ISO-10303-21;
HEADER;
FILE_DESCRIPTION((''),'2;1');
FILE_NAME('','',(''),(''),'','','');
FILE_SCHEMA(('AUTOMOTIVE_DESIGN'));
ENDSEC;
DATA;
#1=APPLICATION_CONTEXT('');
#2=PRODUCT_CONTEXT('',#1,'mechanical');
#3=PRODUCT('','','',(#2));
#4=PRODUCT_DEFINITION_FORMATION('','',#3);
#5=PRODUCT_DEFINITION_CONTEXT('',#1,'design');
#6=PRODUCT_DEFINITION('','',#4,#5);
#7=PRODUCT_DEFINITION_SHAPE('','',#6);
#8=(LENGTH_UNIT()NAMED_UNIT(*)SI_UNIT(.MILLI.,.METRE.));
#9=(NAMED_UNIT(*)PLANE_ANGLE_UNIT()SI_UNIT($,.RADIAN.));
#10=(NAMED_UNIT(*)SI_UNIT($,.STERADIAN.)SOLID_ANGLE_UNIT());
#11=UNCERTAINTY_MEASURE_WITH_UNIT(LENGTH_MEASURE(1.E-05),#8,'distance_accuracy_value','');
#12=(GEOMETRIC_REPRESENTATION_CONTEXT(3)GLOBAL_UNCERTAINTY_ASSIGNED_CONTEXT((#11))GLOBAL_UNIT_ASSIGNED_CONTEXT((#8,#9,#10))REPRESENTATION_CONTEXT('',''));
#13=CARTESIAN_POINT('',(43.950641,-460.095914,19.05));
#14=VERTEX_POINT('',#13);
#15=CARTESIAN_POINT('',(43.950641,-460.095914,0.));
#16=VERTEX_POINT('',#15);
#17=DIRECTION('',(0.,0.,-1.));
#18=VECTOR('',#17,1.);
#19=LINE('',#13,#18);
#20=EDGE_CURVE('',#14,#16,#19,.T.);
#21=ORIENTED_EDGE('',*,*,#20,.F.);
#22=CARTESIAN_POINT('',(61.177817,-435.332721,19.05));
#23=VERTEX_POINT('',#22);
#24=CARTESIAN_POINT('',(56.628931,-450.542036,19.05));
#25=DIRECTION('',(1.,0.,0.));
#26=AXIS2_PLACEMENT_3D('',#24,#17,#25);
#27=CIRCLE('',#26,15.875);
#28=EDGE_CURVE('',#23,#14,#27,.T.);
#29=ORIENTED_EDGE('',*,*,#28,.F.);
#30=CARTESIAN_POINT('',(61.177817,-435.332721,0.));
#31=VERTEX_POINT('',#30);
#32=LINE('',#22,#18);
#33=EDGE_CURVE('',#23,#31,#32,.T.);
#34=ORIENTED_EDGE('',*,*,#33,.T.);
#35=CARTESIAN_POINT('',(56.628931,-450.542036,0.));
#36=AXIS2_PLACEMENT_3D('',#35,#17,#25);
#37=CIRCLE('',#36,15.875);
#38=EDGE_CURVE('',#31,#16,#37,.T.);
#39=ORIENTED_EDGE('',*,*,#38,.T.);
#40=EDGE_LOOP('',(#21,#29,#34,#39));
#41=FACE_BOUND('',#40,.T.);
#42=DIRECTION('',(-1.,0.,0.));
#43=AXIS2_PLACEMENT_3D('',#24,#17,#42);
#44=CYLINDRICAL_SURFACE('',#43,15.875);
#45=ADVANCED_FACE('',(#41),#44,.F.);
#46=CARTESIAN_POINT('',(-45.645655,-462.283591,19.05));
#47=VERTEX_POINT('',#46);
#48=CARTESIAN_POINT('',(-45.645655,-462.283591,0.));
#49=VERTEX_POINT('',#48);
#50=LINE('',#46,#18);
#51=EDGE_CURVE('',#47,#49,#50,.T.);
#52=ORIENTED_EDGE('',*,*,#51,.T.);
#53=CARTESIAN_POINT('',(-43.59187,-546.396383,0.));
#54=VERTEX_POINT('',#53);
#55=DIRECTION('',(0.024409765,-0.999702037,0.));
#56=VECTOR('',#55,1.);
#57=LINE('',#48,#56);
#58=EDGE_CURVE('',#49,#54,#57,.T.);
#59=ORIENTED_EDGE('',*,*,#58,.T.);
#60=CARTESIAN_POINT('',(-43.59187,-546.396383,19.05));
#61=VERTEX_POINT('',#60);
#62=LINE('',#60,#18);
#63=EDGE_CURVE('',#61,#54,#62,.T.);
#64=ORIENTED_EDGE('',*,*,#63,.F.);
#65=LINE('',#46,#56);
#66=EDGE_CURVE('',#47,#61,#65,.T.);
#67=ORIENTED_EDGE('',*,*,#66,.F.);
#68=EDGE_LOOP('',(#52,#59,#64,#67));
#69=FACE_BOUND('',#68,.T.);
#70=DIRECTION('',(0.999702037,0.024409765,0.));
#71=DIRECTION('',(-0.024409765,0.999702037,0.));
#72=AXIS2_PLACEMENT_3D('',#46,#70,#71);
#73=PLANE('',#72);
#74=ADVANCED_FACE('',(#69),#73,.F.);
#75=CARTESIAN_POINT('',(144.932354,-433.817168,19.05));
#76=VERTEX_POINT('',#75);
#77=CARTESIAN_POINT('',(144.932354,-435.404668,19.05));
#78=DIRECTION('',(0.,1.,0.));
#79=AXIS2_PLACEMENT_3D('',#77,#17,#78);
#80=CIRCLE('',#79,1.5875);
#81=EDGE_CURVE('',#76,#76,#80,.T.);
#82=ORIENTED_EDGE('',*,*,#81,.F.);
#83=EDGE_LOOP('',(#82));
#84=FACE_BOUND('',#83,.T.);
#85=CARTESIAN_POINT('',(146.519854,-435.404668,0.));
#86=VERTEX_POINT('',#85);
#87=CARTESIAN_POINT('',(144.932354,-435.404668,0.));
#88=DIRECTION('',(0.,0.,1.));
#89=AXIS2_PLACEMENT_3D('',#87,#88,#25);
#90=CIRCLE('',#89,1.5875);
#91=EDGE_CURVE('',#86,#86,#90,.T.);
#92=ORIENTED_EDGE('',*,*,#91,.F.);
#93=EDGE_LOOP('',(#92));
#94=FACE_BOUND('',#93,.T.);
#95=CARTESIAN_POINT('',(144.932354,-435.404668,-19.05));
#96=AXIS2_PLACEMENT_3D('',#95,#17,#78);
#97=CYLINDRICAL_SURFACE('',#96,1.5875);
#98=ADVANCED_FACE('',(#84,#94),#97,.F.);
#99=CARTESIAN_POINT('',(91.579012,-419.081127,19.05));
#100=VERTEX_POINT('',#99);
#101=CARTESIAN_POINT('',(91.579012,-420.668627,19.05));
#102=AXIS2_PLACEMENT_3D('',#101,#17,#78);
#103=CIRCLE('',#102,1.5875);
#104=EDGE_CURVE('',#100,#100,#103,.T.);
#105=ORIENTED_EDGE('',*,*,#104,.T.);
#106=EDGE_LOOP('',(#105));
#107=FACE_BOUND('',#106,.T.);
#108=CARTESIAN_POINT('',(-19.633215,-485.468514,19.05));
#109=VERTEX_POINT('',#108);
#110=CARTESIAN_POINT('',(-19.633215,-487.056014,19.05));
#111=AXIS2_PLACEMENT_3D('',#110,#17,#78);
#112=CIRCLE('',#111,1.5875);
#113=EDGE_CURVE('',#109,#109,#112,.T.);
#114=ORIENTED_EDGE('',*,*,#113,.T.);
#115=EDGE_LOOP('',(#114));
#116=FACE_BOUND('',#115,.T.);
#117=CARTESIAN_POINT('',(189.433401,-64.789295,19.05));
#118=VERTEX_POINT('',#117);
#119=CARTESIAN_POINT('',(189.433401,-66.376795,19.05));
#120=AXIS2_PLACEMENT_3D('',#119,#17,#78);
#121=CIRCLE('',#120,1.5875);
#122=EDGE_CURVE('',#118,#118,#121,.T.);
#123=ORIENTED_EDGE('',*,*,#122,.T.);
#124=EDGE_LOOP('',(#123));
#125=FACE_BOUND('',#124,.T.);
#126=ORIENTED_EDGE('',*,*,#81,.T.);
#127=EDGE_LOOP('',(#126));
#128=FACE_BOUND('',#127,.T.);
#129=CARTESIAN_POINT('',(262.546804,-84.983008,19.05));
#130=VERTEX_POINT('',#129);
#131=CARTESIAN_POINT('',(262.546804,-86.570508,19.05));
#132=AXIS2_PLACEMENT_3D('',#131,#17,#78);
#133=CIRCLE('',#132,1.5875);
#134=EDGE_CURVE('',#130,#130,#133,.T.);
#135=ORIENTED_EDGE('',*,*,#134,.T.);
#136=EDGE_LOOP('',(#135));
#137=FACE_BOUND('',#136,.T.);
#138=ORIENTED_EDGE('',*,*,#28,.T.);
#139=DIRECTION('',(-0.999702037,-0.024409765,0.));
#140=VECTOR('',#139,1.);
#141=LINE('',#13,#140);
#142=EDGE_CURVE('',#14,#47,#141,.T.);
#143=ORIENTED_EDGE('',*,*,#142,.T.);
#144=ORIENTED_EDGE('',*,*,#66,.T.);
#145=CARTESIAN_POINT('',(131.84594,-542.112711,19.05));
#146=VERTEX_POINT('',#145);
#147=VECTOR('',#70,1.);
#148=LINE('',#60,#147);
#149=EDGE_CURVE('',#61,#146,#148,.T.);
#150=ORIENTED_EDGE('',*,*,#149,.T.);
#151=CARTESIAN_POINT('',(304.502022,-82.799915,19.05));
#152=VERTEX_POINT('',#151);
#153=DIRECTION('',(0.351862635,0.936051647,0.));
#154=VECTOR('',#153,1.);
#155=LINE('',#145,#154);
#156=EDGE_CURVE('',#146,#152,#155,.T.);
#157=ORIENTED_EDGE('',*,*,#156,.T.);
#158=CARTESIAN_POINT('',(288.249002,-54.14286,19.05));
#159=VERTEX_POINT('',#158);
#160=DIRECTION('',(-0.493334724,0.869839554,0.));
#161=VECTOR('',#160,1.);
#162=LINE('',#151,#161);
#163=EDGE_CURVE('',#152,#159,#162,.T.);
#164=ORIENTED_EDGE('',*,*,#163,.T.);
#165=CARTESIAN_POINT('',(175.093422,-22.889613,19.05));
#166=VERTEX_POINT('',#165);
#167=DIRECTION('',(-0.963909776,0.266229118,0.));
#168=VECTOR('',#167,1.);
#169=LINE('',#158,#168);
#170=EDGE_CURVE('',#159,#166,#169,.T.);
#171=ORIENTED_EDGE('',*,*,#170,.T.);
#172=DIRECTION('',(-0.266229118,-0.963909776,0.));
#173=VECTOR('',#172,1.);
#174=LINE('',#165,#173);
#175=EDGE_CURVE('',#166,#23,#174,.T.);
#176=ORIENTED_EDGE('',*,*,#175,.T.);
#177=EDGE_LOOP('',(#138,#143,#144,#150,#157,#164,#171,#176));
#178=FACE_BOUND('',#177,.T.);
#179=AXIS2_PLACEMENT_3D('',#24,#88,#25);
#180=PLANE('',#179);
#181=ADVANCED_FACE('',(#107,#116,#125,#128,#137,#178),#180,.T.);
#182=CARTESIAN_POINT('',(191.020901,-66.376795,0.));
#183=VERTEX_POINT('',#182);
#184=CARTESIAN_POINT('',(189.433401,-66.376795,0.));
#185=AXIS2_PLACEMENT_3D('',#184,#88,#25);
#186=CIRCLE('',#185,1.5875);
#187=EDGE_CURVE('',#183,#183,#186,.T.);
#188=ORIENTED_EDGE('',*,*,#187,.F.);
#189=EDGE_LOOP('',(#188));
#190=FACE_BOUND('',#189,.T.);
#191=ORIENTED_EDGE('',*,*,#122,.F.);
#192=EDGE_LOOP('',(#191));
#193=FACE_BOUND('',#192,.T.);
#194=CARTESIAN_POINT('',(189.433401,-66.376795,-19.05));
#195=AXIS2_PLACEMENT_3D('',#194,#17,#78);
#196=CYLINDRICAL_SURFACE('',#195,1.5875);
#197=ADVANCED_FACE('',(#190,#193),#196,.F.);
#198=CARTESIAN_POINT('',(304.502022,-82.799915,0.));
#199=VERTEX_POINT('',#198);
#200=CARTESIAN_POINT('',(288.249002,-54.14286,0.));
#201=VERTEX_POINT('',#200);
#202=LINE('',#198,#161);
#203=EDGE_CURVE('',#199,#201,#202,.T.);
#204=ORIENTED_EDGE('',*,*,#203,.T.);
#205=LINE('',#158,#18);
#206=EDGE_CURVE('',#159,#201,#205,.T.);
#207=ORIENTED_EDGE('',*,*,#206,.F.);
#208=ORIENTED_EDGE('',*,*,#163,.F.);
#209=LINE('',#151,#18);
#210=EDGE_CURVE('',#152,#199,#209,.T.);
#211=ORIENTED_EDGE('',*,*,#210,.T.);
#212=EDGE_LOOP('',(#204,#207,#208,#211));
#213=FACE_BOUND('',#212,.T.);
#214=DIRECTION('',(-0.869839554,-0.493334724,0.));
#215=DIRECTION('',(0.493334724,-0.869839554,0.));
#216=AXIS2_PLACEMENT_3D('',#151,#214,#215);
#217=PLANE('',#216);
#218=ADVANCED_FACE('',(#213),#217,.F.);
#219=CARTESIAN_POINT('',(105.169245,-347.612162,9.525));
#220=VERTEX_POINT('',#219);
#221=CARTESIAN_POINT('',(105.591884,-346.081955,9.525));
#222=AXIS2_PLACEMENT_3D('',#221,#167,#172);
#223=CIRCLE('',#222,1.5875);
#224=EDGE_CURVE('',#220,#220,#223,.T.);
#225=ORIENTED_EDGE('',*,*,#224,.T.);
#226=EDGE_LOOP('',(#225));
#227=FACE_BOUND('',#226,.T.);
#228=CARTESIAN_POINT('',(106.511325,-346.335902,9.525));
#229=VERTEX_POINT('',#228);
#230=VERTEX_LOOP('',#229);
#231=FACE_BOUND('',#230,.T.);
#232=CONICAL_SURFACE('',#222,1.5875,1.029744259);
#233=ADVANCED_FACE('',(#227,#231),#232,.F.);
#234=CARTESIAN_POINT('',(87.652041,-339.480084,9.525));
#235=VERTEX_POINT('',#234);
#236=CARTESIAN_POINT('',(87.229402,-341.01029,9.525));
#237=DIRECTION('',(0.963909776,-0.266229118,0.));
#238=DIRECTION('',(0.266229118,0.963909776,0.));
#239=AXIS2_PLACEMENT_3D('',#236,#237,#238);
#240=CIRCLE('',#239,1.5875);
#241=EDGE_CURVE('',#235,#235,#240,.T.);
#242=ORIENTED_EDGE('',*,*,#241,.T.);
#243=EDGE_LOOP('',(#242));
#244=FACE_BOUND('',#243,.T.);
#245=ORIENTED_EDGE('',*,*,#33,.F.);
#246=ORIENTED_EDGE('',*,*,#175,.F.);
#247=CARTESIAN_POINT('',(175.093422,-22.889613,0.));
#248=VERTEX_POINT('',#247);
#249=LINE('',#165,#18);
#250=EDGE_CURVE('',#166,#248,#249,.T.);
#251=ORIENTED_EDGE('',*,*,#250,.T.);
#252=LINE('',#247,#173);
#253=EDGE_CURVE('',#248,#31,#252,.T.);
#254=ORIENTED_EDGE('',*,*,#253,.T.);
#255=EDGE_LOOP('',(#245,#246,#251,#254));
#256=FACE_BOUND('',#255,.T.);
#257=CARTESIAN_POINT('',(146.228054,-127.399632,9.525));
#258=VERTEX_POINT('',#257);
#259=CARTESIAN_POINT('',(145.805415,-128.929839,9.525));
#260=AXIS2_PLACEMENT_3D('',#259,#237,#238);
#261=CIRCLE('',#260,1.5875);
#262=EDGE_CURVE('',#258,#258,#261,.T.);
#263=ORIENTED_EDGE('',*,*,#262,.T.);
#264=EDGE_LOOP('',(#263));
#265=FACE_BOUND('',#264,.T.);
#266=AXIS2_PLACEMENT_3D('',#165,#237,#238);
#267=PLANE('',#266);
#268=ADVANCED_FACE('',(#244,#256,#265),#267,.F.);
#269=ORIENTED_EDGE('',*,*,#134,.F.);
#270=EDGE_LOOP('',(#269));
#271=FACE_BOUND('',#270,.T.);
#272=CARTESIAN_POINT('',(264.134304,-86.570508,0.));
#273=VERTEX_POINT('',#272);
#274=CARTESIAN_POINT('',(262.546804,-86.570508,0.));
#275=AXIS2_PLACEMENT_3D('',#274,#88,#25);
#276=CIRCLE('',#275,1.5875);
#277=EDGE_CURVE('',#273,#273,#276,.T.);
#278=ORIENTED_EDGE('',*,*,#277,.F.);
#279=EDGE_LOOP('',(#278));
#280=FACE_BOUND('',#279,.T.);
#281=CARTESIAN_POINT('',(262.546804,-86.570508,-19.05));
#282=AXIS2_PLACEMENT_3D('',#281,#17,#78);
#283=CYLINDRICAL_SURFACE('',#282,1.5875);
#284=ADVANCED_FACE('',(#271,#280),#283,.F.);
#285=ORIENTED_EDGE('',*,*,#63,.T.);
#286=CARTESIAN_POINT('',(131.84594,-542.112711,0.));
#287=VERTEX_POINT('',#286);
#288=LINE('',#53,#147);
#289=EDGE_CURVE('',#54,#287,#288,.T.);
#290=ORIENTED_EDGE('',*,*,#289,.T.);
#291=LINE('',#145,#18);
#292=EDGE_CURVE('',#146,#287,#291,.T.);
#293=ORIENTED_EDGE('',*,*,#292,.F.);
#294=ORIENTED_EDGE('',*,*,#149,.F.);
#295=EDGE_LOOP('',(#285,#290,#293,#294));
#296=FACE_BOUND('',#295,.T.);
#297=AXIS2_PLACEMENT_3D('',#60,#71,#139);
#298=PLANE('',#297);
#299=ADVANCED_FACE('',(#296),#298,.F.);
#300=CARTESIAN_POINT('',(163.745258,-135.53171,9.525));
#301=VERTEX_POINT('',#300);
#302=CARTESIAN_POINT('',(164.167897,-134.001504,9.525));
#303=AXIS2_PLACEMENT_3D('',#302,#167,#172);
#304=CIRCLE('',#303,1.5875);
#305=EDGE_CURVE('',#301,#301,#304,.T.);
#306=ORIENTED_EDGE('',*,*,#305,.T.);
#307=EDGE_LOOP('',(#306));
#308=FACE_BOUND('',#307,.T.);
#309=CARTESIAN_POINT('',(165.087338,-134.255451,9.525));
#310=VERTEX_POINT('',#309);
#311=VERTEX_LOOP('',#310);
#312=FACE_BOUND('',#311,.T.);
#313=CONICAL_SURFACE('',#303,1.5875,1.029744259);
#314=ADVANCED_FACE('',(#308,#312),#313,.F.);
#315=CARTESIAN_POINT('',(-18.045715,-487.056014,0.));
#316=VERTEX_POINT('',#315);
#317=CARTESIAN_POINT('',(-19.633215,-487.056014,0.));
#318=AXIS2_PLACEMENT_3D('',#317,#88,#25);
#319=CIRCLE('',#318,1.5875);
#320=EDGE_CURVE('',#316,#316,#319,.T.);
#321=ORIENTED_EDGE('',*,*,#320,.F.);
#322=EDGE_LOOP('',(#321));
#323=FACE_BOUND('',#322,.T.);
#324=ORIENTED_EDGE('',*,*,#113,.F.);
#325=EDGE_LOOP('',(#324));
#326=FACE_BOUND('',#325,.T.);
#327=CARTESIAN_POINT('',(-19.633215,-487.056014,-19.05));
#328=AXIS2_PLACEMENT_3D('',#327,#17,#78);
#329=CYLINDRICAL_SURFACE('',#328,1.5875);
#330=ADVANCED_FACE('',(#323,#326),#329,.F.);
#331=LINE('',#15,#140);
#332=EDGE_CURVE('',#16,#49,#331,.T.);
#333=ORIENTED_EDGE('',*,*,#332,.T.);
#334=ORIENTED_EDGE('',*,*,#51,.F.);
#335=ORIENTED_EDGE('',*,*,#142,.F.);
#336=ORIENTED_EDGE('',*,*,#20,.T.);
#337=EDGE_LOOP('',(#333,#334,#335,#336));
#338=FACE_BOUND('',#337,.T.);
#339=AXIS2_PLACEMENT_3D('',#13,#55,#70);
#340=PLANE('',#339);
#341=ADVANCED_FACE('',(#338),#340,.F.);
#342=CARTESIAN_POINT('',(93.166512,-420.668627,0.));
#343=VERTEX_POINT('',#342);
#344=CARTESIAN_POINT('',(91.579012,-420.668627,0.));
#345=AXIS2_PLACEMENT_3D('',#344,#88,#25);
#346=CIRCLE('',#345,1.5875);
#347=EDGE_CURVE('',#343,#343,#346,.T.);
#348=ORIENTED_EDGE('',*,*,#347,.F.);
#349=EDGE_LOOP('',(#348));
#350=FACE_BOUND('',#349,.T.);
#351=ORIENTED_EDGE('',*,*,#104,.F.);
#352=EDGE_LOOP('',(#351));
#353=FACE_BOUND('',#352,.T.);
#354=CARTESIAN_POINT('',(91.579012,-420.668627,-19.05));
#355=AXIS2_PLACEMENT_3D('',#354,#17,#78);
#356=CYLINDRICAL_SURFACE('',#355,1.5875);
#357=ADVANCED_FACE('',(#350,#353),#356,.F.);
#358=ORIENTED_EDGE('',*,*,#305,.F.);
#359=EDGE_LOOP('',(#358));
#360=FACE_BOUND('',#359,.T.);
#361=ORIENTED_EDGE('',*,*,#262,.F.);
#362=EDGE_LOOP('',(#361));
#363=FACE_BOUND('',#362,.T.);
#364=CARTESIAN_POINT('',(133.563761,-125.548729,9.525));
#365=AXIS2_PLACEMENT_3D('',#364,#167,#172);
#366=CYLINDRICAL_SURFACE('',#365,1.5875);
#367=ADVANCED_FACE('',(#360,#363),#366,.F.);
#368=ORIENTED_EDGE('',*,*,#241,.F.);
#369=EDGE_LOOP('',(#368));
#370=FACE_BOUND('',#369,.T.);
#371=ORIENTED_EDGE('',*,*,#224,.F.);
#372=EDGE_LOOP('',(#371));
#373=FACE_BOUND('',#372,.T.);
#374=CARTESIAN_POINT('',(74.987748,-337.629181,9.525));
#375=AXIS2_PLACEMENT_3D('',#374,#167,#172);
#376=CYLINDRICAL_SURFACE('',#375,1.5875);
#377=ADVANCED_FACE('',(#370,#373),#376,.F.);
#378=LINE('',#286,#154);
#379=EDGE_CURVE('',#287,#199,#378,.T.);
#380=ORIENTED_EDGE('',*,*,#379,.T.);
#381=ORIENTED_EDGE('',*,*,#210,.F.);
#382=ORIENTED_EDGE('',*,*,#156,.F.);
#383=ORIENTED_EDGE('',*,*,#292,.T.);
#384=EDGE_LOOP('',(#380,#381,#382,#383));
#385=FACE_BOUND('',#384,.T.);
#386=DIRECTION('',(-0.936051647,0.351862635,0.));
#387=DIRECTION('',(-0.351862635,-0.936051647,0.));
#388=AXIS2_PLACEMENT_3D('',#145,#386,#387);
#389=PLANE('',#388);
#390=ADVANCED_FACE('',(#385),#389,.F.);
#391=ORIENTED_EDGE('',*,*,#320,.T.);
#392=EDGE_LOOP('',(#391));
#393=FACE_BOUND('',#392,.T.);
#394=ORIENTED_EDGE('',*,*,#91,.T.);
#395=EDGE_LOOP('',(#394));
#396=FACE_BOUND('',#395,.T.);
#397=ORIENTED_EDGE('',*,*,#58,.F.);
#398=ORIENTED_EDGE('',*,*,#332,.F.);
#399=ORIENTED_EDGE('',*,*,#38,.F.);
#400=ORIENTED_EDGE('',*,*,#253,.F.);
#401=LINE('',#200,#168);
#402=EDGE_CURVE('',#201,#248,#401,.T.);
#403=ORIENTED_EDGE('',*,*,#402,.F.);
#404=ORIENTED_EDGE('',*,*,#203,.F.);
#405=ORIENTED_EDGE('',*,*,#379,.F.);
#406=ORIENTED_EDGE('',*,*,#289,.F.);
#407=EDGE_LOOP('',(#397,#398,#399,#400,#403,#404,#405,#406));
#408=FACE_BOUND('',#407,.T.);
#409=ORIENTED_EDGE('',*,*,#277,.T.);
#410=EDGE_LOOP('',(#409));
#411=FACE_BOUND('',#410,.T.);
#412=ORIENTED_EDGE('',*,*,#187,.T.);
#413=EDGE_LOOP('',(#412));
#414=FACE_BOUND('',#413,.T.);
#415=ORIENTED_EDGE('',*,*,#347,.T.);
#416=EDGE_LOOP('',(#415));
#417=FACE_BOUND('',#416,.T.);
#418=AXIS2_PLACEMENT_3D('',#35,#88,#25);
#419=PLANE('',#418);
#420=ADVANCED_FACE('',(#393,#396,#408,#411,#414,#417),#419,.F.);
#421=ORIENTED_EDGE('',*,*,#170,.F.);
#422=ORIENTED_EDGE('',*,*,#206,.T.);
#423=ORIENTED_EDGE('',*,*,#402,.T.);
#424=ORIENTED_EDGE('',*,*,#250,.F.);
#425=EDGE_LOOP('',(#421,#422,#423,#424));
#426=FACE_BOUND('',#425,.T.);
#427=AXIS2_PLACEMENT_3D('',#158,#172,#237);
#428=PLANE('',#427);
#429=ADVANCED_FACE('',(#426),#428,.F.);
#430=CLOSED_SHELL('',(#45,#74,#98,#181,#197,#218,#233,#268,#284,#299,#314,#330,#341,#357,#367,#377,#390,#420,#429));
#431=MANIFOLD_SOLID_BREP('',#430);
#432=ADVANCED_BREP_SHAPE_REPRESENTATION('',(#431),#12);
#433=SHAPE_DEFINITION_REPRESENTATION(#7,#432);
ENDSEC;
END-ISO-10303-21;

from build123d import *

# Parameters (mm, degrees)
BOSS_EXTRUDE1_DEPTH = 19.05
HOLE2_D             = 3.175
HOLE2_DEPTH         = 31.75
HOLE2_CSINK_D       = 10.16
HOLE2_CSINK_ANGLE   = 82
HOLE2_TIP           = 0.953866233
HOLE3_D             = 3.175
HOLE3_DEPTH         = 38.1
HOLE3_CSINK_D       = 10.16
HOLE3_CSINK_ANGLE   = 82
HOLE3_TIP           = 0.953866233


with BuildPart() as part:
    # Sketch1 → Boss-Extrude1 (new body)
    with BuildSketch(Plane.XY):
        with BuildLine():
            Line((-45.645654956, -462.283590669), (-43.591869521, -546.396382838))
            Line((-43.591869521, -546.396382838), (131.845939781, -542.11271078))
            Line((131.845939781, -542.11271078), (304.502022379, -82.799914861))
            Line((304.502022379, -82.799914861), (288.249001778, -54.142860136))
            Line((288.249001778, -54.142860136), (175.093421906, -22.889613201))
            Line((175.093421906, -22.889613201), (61.177817241, -435.332721236))
            ThreePointArc((61.177817241, -435.332721236), (69.660650717, -459.60790015), (43.950640658, -460.09591431))
            Line((43.950640658, -460.09591431), (-45.645654956, -462.283590669))
        make_face()
    extrude(amount=BOSS_EXTRUDE1_DEPTH)

    # Hole2
    with Locations(Plane(origin=(162.245907498, -21.702082459, 165.474999994), x_dir=(0, 0, -1), z_dir=(-0.9639097761610324, 0.2662291182819574, 0))):
        with Locations((-155.949999994, 107.734820482), (155.949999994, 107.734820482), (155.949999994, 327.755881328), (174.999999994, 85.732714397), (174.999999994, 349.757987412), (-174.999999994, 349.757987412), (-174.999999994, 85.732714397), (-155.949999994, 327.755881328)):
            CounterSinkHole(HOLE2_D / 2, HOLE2_CSINK_D / 2, depth=HOLE2_DEPTH, counter_sink_angle=HOLE2_CSINK_ANGLE)
            with Locations((0, 0, -(HOLE2_DEPTH + HOLE2_TIP / 2))):  # 118° drill point
                Cone(0, HOLE2_D / 2, HOLE2_TIP, mode=Mode.SUBTRACT)

    # Hole3
    with Locations(Plane(origin=(311.92831292, -63.043933951, -19.05), x_dir=(-0.3518626346959965, -0.9360516472421764, 8.51430303154421e-15), z_dir=(0, 0, -1))):
        with Locations((46.221112845, 113.488854888), (39.39759596, 37.945520226), (412.28786892, 80.423559293), (407.308516105, 25.297013484), (513.561319184, 161.164706775), (597.46020397, 127.267357003), (610.543339245, 159.649253123), (694.322923815, 367.011001477), (526.644454459, 193.546602895), (610.424039029, 400.908351249)):
            CounterSinkHole(HOLE3_D / 2, HOLE3_CSINK_D / 2, depth=HOLE3_DEPTH, counter_sink_angle=HOLE3_CSINK_ANGLE)
            with Locations((0, 0, -(HOLE3_DEPTH + HOLE3_TIP / 2))):  # 118° drill point
                Cone(0, HOLE3_D / 2, HOLE3_TIP, mode=Mode.SUBTRACT)


solid = part.part
